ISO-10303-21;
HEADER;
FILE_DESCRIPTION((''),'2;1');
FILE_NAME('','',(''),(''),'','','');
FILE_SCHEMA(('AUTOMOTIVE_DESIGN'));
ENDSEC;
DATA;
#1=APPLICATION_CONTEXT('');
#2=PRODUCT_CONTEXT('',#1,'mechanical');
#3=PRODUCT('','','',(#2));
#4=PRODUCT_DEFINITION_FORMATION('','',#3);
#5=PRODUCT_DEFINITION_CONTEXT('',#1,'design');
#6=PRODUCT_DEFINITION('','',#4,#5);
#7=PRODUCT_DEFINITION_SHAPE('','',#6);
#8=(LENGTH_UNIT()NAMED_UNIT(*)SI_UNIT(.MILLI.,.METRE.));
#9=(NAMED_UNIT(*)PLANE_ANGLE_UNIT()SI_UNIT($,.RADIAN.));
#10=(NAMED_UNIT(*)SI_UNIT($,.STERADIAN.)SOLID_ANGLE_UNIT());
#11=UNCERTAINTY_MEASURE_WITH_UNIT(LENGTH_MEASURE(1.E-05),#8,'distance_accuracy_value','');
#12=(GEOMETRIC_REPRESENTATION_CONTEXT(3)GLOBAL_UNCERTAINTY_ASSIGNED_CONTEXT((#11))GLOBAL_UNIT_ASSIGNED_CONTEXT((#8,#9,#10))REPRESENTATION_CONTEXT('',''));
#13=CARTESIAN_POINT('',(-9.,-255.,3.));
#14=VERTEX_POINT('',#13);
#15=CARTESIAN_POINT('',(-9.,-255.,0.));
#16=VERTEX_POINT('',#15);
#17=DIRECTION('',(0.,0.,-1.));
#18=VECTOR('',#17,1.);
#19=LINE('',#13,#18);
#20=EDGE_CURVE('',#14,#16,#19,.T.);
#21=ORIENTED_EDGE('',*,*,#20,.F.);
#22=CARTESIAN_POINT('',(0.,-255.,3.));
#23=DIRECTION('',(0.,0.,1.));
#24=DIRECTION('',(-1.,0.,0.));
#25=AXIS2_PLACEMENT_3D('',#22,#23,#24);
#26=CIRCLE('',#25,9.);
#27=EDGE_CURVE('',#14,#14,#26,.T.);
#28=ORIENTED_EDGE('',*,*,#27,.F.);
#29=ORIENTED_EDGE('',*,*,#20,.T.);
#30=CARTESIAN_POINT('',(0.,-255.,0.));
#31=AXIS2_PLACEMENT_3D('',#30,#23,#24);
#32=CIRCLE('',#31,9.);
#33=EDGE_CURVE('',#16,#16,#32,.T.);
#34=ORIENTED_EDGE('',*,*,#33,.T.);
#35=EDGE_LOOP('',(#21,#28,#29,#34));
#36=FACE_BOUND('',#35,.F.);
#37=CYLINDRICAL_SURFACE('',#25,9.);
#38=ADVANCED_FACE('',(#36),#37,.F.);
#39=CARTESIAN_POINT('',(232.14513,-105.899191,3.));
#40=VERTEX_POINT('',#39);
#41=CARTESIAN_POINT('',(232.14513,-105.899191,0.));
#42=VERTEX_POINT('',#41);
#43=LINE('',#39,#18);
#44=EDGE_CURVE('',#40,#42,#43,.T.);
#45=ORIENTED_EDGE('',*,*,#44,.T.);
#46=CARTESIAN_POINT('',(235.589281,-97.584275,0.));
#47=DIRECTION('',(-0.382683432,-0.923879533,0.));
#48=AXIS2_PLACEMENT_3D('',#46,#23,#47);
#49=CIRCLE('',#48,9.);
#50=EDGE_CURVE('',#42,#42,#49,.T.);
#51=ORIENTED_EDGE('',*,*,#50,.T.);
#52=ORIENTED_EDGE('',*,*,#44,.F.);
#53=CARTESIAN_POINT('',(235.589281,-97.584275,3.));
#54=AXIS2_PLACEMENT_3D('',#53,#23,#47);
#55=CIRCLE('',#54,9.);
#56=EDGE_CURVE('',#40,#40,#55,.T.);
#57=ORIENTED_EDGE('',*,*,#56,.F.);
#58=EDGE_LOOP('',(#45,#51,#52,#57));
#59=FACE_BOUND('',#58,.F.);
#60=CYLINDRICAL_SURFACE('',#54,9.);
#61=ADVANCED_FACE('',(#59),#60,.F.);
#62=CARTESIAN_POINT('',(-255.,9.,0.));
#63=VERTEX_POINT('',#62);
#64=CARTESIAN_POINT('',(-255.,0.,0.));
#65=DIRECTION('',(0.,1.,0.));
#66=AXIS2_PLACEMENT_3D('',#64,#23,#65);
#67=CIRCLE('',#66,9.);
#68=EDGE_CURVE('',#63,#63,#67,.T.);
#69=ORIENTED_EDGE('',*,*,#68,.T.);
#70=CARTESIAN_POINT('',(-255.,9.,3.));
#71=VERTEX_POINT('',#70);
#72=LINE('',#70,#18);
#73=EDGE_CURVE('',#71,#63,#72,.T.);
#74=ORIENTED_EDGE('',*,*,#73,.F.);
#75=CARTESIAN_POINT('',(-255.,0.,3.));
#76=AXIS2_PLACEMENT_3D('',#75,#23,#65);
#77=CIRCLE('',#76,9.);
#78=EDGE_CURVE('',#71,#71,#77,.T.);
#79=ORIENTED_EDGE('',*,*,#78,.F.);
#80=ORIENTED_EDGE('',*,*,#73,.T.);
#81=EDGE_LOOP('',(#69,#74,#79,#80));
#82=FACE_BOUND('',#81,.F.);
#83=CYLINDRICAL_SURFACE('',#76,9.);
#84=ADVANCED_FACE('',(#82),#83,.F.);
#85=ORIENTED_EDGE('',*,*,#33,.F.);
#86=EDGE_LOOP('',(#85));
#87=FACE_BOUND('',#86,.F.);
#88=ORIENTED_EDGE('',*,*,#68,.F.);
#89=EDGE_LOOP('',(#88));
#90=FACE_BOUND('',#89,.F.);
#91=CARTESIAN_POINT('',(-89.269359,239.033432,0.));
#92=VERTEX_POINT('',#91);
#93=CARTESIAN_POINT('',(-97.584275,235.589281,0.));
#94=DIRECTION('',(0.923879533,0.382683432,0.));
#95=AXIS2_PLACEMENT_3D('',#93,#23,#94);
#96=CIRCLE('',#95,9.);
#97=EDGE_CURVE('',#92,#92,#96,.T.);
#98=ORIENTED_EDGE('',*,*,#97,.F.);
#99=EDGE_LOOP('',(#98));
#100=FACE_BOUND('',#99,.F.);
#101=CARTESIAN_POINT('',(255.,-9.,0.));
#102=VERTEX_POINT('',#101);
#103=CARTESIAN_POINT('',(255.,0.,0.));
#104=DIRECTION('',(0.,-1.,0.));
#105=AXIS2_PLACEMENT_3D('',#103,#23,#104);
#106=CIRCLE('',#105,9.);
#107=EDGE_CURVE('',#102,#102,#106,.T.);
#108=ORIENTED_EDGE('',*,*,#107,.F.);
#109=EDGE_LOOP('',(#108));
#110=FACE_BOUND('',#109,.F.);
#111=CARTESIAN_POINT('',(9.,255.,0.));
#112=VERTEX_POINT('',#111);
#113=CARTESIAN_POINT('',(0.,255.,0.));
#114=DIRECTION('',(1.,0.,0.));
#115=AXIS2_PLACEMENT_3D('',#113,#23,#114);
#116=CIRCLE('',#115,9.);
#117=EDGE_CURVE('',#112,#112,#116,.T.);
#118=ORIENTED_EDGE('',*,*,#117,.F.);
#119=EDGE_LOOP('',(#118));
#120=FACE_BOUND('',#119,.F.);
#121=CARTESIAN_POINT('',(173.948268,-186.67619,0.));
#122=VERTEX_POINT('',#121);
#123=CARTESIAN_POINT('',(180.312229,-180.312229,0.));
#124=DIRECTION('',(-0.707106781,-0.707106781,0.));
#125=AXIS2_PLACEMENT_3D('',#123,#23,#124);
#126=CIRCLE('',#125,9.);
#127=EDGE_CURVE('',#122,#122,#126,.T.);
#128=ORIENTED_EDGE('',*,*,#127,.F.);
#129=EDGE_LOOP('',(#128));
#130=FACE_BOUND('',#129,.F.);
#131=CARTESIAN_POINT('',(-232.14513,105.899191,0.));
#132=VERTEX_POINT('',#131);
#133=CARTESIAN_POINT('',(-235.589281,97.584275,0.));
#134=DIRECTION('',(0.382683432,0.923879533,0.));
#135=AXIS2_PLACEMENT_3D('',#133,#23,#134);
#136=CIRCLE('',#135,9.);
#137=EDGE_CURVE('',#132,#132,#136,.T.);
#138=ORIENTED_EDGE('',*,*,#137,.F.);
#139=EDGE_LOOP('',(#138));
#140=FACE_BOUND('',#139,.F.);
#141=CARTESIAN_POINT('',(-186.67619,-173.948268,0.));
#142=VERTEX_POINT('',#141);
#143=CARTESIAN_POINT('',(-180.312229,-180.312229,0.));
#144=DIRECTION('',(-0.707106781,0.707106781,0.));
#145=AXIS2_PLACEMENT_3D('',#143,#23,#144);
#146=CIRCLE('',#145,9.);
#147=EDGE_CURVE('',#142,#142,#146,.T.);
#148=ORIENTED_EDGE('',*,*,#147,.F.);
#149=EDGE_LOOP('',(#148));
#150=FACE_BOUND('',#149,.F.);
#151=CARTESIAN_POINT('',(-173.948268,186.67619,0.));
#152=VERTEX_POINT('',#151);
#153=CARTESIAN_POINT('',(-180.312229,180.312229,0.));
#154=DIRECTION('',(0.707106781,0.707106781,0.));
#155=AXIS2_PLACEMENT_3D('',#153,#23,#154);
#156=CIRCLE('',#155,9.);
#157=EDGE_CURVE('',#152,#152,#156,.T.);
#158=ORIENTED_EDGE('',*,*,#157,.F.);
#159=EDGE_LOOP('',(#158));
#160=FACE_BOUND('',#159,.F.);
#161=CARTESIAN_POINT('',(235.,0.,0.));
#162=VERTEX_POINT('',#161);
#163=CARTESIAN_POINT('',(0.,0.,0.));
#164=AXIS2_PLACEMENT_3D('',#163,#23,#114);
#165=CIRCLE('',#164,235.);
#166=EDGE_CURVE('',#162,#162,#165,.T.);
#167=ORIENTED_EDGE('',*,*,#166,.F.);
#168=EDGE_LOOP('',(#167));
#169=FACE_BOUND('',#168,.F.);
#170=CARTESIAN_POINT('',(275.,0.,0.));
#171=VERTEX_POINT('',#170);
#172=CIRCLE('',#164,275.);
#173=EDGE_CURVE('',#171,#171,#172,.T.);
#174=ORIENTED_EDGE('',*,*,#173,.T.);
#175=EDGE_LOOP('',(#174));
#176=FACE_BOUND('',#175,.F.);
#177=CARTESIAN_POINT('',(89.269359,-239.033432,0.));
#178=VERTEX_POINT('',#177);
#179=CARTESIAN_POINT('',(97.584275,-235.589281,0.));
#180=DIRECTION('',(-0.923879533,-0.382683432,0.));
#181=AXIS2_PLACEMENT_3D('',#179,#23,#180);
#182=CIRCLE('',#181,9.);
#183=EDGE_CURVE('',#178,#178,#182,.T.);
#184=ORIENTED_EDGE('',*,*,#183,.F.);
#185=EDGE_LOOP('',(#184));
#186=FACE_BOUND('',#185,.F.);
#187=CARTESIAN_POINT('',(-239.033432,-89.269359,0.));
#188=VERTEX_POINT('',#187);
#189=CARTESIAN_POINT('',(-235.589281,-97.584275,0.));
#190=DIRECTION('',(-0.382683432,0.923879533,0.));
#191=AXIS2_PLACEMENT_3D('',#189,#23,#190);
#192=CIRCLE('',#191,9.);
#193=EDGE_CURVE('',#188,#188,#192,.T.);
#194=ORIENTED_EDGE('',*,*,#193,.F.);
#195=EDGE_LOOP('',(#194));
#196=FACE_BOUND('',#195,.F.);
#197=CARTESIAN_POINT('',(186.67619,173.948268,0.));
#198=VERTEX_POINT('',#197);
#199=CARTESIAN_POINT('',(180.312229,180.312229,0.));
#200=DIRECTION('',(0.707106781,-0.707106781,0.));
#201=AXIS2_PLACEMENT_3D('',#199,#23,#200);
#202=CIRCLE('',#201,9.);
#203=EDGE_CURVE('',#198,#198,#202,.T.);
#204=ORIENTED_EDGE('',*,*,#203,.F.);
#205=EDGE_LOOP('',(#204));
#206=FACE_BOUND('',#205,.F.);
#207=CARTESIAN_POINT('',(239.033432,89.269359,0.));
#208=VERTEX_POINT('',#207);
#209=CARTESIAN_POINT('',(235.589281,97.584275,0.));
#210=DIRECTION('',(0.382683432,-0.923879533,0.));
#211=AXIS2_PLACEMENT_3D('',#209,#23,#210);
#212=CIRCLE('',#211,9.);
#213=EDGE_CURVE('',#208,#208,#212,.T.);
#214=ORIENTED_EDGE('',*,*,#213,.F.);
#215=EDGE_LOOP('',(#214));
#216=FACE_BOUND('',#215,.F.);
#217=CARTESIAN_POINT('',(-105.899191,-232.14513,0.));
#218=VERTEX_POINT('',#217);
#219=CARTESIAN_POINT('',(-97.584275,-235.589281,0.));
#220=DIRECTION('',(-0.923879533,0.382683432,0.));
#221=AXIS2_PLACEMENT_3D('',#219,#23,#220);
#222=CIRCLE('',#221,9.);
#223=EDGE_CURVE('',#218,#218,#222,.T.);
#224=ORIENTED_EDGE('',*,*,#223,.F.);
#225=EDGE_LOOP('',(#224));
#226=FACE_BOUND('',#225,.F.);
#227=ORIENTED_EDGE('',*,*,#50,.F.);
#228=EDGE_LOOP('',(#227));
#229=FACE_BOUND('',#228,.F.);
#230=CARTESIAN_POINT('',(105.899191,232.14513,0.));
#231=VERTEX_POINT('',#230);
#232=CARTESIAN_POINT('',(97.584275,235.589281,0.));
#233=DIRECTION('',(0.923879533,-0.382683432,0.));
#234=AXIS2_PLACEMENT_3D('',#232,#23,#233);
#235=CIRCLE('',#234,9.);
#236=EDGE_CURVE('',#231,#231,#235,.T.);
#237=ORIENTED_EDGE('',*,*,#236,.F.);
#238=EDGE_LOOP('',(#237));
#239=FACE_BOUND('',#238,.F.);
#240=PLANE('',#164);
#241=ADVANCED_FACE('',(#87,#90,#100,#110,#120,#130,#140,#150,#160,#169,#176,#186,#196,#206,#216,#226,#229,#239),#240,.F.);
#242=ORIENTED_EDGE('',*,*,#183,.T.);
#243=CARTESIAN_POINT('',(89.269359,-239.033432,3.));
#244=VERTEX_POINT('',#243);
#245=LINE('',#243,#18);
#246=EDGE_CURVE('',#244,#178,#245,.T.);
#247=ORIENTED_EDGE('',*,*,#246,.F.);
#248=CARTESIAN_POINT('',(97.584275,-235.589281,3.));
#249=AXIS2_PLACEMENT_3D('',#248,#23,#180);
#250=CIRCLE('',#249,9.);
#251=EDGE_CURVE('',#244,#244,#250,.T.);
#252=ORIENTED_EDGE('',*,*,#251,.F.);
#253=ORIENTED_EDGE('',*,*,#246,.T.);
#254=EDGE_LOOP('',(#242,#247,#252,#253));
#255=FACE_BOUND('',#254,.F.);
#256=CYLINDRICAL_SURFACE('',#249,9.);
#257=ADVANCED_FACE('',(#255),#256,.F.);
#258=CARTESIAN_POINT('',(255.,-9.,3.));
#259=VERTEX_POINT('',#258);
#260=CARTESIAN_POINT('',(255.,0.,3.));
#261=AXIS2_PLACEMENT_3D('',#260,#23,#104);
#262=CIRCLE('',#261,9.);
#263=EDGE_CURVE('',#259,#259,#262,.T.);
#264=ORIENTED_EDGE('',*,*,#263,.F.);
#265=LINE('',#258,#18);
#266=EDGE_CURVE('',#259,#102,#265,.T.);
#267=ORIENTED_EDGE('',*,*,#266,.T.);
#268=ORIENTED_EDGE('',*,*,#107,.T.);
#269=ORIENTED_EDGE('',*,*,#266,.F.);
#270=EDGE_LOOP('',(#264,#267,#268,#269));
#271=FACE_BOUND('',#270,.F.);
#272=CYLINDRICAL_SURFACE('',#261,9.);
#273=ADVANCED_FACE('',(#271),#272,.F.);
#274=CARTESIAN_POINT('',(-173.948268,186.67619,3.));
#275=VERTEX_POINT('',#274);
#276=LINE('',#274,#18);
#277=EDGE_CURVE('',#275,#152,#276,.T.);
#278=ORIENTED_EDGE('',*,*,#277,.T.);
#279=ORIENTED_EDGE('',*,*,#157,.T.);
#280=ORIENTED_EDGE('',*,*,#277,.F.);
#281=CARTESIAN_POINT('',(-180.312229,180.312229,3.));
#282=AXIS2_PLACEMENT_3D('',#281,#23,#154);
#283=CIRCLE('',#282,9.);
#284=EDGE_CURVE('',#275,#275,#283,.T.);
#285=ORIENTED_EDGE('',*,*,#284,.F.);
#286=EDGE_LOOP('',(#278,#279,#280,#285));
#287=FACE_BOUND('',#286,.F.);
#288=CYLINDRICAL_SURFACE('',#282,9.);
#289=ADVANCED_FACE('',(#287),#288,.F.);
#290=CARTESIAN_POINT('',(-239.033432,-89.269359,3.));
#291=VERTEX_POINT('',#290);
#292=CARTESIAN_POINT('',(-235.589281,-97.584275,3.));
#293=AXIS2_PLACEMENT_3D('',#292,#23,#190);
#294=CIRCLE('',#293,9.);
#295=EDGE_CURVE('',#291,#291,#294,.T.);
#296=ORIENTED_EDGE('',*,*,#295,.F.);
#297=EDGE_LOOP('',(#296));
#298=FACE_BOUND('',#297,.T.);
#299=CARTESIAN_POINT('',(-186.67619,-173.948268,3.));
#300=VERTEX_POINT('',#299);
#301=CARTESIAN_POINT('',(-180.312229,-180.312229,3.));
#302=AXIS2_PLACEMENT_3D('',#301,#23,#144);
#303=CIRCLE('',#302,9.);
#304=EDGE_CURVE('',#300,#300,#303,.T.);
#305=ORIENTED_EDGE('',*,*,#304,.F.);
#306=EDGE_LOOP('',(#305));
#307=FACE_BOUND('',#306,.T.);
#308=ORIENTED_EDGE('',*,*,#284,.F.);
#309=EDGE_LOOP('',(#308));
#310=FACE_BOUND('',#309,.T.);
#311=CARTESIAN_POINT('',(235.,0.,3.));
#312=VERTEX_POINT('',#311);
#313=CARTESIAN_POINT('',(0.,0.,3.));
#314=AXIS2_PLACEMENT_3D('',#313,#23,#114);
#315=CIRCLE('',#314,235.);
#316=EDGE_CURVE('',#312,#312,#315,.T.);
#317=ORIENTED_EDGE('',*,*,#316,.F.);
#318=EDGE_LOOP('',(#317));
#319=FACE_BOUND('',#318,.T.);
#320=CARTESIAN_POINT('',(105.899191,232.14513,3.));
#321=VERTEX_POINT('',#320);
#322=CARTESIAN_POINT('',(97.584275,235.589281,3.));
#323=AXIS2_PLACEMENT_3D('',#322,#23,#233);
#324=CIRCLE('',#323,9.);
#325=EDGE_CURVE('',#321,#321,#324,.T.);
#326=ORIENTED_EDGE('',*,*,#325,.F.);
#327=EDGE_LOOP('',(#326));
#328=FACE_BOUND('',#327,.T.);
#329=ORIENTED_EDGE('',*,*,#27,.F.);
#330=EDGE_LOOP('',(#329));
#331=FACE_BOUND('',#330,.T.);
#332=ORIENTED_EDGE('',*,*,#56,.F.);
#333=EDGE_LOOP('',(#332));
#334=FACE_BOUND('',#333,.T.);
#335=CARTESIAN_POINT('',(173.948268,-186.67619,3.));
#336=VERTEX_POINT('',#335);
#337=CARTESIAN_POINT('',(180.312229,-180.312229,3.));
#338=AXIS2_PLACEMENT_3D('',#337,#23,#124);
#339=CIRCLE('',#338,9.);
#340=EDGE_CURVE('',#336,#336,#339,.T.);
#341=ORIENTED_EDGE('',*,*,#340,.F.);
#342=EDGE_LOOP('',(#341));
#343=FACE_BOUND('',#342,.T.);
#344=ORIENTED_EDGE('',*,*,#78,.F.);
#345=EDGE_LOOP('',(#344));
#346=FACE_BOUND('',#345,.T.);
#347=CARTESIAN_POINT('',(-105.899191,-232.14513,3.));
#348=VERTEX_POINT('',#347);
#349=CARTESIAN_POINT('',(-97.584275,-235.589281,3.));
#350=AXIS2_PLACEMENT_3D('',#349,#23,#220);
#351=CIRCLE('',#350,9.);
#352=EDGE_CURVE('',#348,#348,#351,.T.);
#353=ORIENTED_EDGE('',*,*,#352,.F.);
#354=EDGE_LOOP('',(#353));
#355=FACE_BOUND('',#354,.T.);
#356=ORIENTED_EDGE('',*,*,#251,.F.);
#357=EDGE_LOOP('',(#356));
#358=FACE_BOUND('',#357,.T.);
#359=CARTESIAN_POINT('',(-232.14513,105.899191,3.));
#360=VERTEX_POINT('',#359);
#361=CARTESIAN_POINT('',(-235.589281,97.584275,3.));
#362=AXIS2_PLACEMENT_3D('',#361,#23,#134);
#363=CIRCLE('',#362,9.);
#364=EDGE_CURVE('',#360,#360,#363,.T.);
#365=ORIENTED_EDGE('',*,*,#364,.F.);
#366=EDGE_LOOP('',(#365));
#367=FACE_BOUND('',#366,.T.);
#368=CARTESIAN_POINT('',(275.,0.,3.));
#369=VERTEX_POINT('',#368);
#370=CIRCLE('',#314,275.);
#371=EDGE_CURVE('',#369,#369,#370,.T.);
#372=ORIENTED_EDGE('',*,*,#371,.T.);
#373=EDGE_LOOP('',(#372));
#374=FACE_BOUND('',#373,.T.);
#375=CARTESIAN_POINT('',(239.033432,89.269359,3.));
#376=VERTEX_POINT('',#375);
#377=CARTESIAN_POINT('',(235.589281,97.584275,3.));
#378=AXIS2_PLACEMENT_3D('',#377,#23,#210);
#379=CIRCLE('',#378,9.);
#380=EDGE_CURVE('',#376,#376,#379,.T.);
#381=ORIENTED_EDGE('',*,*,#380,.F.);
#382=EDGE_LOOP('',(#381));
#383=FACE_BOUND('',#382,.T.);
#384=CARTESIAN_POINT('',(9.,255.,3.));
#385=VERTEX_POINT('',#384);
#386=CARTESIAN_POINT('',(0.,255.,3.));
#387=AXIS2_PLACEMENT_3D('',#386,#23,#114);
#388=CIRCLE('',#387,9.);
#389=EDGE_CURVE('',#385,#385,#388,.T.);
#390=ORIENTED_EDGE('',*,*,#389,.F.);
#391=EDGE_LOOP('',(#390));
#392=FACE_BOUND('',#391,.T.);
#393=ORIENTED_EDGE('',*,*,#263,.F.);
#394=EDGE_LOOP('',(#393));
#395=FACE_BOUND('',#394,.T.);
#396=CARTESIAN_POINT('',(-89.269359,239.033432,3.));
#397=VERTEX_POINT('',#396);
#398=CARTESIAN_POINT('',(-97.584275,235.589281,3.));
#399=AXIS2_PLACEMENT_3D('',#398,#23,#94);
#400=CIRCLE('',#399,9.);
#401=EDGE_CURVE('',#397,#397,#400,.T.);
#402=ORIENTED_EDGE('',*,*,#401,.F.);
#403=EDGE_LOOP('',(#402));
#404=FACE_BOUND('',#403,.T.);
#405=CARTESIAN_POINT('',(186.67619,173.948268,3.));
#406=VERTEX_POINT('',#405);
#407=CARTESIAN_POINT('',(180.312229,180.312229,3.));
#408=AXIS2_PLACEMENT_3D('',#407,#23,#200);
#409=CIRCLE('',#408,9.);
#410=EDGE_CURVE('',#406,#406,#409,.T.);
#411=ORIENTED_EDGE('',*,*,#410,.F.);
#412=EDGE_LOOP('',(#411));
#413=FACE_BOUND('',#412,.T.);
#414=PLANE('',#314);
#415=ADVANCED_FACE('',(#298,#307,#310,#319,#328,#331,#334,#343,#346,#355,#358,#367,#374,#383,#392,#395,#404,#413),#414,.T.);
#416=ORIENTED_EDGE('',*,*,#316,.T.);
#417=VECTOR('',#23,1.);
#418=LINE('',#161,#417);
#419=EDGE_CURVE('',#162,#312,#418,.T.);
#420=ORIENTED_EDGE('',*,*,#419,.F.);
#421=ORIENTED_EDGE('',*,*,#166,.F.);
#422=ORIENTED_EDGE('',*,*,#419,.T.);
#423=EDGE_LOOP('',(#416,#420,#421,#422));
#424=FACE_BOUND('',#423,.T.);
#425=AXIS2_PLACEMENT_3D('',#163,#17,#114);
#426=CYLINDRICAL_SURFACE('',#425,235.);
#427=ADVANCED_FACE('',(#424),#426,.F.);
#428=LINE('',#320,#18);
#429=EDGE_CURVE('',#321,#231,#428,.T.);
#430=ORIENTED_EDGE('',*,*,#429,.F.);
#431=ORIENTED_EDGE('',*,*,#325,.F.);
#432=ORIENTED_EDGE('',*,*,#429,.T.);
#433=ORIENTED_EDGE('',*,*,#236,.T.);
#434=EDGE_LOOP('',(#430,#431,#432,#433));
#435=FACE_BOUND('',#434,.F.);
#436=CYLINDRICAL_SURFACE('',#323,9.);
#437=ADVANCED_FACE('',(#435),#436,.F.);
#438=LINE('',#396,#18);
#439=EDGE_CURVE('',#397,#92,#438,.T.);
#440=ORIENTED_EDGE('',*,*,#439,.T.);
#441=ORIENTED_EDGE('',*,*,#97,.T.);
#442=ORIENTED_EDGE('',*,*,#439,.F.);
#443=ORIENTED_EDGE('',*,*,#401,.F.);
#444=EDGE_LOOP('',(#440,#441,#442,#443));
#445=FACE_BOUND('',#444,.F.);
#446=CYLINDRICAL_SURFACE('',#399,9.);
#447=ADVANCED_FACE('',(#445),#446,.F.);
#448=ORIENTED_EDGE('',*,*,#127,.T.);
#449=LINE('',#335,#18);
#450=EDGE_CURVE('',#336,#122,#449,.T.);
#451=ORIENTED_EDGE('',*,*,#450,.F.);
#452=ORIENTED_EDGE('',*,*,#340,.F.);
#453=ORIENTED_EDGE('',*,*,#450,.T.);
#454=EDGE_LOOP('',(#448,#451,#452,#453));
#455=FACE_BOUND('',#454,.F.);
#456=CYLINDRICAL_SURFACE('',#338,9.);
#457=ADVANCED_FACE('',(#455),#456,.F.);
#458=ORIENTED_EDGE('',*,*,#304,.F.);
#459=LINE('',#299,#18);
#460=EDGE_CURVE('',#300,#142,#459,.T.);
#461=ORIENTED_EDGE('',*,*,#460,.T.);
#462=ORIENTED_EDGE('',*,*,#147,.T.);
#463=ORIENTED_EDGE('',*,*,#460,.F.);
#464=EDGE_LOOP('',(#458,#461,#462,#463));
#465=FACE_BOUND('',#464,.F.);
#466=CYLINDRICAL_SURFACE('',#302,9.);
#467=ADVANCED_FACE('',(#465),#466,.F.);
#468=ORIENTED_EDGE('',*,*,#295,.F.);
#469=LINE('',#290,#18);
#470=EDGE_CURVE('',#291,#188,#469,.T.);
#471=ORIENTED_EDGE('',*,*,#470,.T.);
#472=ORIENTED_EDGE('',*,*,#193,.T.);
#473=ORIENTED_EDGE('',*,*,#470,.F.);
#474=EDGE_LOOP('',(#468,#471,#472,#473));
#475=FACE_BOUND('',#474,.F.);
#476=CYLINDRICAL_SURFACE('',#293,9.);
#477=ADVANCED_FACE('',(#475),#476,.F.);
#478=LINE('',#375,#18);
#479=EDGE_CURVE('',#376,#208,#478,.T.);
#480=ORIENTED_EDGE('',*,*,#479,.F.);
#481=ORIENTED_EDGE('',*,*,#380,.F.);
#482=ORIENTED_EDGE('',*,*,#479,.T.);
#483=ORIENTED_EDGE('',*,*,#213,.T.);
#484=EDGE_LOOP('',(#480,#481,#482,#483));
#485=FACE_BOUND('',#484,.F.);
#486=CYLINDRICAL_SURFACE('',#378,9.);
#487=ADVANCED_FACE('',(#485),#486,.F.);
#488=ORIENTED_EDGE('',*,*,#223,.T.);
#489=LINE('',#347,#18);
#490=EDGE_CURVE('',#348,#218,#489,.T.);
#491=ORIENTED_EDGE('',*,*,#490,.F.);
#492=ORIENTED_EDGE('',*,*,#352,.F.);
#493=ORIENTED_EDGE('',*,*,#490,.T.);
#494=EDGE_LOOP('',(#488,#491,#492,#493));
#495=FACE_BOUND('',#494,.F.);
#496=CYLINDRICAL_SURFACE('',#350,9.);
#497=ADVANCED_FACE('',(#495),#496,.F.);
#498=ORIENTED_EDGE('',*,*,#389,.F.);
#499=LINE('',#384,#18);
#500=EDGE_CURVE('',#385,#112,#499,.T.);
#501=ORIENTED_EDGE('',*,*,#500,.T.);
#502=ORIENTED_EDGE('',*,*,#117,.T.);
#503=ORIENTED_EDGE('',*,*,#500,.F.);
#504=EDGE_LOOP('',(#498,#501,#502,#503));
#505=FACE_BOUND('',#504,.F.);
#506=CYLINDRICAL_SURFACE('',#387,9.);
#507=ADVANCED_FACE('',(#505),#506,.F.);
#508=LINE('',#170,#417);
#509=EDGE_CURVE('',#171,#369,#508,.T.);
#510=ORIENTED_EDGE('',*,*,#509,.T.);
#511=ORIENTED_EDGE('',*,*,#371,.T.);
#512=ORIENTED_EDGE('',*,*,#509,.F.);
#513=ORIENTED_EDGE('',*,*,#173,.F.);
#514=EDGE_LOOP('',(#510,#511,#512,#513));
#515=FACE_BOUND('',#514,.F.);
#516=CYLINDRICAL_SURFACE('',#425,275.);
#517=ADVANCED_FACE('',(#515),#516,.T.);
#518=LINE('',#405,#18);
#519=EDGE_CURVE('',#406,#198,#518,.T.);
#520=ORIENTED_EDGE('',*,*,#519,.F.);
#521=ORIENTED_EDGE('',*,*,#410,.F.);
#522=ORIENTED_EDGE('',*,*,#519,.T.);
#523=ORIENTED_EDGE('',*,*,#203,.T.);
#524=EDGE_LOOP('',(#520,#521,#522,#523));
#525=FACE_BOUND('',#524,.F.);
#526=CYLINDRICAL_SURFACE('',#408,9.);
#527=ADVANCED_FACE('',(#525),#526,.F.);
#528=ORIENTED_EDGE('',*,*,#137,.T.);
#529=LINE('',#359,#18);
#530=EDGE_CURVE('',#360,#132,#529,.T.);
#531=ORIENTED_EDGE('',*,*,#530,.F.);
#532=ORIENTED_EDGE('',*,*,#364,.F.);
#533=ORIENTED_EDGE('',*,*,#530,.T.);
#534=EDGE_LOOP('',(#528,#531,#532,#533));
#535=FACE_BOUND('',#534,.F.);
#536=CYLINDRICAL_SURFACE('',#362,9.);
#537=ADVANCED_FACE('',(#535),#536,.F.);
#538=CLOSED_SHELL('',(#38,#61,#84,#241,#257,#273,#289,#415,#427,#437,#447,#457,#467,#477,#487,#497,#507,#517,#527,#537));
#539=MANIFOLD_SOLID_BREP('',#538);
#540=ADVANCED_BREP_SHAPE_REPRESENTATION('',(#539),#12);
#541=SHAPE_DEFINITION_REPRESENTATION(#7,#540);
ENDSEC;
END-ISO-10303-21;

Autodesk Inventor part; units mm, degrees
ref_plane "YZ Plane" through (0, 0, 0) normal (1, 0, 0) x (0, 1, 0)
ref_plane "XZ Plane" through (0, 0, 0) normal (0, 1, 0) x (-1, 0, 0)
ref_plane "XY Plane" through (0, 0, 0) normal (0, 0, 1) x (1, 0, 0)
sketch "Sketch1" plane through (0, 0, 0) normal (0, 0, 1) x (1, 0, 0)
  circle A0 centre (0, 0) radius 235
  circle A1 centre (0, 0) radius 275
  circle A2 centre (0, 0) radius 255 construction
  line L0 (0, 275) -> (0, 235) construction
  point P0 (0, 255)
  dimension "d9" = 510
  dimension "d10" = 40
extrude "Plate1" add sketch "Sketch1" along normal blind 3
sketch "Sketch2" plane through (0, 0, 3) normal (0, 0, 1) x (1, 0, 0)
  circle A0 centre (0, 0) radius 235 construction
  circle A1 centre (0, 0) radius 275 construction
  line L0 (0, 275) -> (0, 235) construction
  circle A2 centre (0, 255) radius 9
  dimension "d3" = 18
extrude "Extrusion1" cut sketch "Sketch2" against normal through all
pattern_circular "Circular Pattern1" count 16 over 360 about axis through (0, 0, 0) along (0, 0, 1) of "Extrusion1"
equation "\"d9\" = Шпил_пласт_диам_центров"
equation "\"d10\" = Шпил_пласт_ширина"
equation "\"d2\" = Thickness"
equation "\"BendRadius\" = Thickness"
equation "\"BendReliefWidth\" = Thickness"
equation "\"BendReliefDepth\" = 0.5 * Thickness"
equation "\"CornerReliefSize\" = 4 * Thickness"
equation "\"MinimumRemnant\" = 2 * Thickness"
equation "\"TransitionRadius\" = BendRadius"
equation "\"JacobiRadiusSize\" = BendRadius"
equation "\"GapSize\" = Thickness"
equation "\"Шпил_пласт_диам_центров\" = 510"
equation "\"Шпил_пласт_ширина\" = 40"
equation "\"Thickness\" = 3"
properties part number "ДМС 090 прокладка лицо"
